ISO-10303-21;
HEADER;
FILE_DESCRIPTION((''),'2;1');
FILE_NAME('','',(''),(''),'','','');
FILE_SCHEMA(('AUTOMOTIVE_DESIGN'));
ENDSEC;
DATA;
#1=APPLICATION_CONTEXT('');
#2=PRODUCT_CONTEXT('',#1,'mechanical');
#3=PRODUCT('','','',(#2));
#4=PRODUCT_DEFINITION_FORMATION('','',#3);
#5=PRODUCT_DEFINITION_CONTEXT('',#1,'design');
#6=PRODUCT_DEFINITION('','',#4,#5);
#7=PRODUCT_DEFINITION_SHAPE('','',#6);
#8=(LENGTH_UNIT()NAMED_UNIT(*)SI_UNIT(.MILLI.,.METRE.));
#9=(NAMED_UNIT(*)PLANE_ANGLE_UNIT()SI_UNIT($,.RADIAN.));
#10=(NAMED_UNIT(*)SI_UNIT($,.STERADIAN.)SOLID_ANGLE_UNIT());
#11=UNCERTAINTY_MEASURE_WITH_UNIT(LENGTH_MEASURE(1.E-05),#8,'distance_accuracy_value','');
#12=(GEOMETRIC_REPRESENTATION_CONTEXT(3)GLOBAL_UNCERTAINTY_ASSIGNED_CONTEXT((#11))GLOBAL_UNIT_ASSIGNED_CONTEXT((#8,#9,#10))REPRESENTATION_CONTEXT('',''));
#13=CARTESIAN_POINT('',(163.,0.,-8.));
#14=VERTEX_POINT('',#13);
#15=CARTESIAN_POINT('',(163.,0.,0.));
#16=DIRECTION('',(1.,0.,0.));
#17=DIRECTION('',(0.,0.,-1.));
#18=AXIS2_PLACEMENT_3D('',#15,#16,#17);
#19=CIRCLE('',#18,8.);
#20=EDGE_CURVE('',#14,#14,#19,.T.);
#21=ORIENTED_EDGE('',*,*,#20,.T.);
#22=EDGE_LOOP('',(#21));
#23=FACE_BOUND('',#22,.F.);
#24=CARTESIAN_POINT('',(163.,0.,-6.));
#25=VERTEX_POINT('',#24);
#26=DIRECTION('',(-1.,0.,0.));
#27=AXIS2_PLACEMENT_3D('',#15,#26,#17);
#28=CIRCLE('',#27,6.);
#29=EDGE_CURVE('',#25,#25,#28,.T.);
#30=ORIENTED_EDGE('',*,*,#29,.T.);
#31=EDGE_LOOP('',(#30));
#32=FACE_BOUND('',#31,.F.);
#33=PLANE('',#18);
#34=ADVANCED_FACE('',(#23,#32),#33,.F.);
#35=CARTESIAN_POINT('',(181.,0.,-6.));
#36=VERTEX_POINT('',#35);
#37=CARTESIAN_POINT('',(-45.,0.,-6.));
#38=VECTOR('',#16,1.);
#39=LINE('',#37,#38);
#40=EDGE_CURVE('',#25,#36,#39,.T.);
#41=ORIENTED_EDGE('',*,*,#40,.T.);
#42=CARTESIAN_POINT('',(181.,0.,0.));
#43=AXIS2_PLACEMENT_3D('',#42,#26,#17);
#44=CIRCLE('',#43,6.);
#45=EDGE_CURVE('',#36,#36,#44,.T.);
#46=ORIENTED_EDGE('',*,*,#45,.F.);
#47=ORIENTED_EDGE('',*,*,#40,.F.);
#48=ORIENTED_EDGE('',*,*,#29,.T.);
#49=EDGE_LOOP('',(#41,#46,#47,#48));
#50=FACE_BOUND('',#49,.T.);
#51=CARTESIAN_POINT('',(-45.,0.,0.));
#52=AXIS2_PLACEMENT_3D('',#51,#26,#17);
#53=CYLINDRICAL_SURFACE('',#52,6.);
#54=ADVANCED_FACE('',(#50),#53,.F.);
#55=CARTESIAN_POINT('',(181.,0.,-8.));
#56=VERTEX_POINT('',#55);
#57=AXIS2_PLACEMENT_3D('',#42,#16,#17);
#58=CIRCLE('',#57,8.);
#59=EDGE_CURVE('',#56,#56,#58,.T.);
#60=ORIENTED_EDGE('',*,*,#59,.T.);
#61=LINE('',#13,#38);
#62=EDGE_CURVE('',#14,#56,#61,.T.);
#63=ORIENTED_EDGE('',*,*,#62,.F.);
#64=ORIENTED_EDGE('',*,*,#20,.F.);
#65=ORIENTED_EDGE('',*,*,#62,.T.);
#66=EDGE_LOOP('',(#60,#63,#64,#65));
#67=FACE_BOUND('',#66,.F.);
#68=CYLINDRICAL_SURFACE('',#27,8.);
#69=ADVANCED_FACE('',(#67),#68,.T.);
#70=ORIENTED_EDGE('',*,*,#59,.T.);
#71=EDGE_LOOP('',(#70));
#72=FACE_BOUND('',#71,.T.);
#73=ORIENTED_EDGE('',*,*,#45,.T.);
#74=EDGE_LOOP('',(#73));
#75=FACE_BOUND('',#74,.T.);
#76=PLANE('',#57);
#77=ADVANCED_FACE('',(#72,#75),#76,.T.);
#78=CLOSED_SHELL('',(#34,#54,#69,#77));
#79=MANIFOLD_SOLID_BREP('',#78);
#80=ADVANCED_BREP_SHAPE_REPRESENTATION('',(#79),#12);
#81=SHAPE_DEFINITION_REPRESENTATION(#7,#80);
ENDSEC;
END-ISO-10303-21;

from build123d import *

# Parameters (mm, degrees)
CYLINDER007_R           = 6
CYLINDER007_DEPTH       = 236
CYLINDER007_PITCH_ANGLE = 90
CYLINDER005_R           = 8
CYLINDER005_DEPTH       = 18
CYLINDER005_PITCH_ANGLE = 90


with BuildPart() as connector_bore:
    # Cylinder007 → Cylinder007 (new body)
    with BuildSketch(Plane.XY):
        Circle(CYLINDER007_R)
    extrude(amount=CYLINDER007_DEPTH)


with BuildPart() as connector_bore_1:
    # Cylinder007 pitch: moved
    add(connector_bore.part.rotate(Axis((0, 0, 0), (0, 1, 0)), CYLINDER007_PITCH_ANGLE))


with BuildPart() as connector_bore_2:
    # Cylinder007 placement: moved
    add(connector_bore_1.part.moved(Location((-45, 0, 0))))


with BuildPart() as cut003:
    # Cylinder005 → Cylinder005 (new body)
    with BuildSketch(Plane.XY):
        Circle(CYLINDER005_R)
    extrude(amount=CYLINDER005_DEPTH)


with BuildPart() as cut003_1:
    # Cylinder005 pitch: moved
    add(cut003.part.rotate(Axis((0, 0, 0), (0, 1, 0)), CYLINDER005_PITCH_ANGLE))


with BuildPart() as cut003_2:
    # Cylinder005 placement: moved
    add(cut003_1.part.moved(Location((163, 0, 0))))

    # Cut003: cut connector_bore
    add(connector_bore_2.part, mode=Mode.SUBTRACT)


solid = cut003_2.part
